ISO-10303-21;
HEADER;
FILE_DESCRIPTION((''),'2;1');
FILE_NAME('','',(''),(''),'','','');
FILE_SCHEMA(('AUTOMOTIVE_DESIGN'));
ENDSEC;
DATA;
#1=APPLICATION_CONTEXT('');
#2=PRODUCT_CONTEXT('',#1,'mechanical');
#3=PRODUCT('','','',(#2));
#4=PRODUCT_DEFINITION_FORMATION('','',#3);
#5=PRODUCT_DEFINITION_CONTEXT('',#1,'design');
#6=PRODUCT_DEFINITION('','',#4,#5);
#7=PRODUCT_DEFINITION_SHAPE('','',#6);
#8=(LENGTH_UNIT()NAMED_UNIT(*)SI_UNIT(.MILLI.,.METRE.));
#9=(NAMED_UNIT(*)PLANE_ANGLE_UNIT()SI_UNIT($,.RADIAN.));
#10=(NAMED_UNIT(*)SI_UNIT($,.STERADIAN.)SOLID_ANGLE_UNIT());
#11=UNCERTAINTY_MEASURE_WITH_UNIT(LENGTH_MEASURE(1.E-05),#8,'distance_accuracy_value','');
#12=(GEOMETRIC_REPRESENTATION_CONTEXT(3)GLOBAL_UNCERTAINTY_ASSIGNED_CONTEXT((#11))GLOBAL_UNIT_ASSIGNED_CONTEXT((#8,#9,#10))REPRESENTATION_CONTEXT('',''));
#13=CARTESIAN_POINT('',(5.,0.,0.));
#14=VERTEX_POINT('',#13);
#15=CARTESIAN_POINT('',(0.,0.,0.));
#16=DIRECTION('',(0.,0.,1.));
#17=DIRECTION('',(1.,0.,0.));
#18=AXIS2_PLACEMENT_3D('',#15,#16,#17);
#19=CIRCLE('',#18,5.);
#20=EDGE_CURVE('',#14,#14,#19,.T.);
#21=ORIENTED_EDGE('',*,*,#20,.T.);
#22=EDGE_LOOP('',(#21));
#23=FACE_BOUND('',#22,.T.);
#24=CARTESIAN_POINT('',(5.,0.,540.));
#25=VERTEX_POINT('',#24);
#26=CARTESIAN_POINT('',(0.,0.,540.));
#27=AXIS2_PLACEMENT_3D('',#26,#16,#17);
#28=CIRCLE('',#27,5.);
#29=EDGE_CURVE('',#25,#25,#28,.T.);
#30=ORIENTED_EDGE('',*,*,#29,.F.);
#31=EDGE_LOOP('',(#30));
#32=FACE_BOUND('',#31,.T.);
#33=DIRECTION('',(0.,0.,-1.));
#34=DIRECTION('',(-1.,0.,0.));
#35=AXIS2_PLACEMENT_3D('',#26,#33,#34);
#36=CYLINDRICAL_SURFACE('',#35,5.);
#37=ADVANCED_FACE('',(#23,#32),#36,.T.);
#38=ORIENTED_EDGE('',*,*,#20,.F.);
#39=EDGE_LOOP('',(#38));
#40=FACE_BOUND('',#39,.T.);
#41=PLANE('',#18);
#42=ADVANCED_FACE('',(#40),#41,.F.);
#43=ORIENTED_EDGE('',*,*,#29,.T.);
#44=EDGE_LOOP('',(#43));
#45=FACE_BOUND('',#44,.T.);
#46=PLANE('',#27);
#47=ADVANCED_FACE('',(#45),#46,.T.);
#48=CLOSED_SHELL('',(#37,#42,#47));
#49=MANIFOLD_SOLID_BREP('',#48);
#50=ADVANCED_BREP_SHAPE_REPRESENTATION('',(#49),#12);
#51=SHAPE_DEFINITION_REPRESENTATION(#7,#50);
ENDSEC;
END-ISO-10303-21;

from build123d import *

# Parameters (mm, degrees)
SKETCH1_R           = 5
BOSS_EXTRUDE1_DEPTH = 540


with BuildPart() as part:
    # Sketch1 → Boss-Extrude1 (new body)
    with BuildSketch(Plane.XY):
        Circle(SKETCH1_R)
    extrude(amount=BOSS_EXTRUDE1_DEPTH)


solid = part.part
